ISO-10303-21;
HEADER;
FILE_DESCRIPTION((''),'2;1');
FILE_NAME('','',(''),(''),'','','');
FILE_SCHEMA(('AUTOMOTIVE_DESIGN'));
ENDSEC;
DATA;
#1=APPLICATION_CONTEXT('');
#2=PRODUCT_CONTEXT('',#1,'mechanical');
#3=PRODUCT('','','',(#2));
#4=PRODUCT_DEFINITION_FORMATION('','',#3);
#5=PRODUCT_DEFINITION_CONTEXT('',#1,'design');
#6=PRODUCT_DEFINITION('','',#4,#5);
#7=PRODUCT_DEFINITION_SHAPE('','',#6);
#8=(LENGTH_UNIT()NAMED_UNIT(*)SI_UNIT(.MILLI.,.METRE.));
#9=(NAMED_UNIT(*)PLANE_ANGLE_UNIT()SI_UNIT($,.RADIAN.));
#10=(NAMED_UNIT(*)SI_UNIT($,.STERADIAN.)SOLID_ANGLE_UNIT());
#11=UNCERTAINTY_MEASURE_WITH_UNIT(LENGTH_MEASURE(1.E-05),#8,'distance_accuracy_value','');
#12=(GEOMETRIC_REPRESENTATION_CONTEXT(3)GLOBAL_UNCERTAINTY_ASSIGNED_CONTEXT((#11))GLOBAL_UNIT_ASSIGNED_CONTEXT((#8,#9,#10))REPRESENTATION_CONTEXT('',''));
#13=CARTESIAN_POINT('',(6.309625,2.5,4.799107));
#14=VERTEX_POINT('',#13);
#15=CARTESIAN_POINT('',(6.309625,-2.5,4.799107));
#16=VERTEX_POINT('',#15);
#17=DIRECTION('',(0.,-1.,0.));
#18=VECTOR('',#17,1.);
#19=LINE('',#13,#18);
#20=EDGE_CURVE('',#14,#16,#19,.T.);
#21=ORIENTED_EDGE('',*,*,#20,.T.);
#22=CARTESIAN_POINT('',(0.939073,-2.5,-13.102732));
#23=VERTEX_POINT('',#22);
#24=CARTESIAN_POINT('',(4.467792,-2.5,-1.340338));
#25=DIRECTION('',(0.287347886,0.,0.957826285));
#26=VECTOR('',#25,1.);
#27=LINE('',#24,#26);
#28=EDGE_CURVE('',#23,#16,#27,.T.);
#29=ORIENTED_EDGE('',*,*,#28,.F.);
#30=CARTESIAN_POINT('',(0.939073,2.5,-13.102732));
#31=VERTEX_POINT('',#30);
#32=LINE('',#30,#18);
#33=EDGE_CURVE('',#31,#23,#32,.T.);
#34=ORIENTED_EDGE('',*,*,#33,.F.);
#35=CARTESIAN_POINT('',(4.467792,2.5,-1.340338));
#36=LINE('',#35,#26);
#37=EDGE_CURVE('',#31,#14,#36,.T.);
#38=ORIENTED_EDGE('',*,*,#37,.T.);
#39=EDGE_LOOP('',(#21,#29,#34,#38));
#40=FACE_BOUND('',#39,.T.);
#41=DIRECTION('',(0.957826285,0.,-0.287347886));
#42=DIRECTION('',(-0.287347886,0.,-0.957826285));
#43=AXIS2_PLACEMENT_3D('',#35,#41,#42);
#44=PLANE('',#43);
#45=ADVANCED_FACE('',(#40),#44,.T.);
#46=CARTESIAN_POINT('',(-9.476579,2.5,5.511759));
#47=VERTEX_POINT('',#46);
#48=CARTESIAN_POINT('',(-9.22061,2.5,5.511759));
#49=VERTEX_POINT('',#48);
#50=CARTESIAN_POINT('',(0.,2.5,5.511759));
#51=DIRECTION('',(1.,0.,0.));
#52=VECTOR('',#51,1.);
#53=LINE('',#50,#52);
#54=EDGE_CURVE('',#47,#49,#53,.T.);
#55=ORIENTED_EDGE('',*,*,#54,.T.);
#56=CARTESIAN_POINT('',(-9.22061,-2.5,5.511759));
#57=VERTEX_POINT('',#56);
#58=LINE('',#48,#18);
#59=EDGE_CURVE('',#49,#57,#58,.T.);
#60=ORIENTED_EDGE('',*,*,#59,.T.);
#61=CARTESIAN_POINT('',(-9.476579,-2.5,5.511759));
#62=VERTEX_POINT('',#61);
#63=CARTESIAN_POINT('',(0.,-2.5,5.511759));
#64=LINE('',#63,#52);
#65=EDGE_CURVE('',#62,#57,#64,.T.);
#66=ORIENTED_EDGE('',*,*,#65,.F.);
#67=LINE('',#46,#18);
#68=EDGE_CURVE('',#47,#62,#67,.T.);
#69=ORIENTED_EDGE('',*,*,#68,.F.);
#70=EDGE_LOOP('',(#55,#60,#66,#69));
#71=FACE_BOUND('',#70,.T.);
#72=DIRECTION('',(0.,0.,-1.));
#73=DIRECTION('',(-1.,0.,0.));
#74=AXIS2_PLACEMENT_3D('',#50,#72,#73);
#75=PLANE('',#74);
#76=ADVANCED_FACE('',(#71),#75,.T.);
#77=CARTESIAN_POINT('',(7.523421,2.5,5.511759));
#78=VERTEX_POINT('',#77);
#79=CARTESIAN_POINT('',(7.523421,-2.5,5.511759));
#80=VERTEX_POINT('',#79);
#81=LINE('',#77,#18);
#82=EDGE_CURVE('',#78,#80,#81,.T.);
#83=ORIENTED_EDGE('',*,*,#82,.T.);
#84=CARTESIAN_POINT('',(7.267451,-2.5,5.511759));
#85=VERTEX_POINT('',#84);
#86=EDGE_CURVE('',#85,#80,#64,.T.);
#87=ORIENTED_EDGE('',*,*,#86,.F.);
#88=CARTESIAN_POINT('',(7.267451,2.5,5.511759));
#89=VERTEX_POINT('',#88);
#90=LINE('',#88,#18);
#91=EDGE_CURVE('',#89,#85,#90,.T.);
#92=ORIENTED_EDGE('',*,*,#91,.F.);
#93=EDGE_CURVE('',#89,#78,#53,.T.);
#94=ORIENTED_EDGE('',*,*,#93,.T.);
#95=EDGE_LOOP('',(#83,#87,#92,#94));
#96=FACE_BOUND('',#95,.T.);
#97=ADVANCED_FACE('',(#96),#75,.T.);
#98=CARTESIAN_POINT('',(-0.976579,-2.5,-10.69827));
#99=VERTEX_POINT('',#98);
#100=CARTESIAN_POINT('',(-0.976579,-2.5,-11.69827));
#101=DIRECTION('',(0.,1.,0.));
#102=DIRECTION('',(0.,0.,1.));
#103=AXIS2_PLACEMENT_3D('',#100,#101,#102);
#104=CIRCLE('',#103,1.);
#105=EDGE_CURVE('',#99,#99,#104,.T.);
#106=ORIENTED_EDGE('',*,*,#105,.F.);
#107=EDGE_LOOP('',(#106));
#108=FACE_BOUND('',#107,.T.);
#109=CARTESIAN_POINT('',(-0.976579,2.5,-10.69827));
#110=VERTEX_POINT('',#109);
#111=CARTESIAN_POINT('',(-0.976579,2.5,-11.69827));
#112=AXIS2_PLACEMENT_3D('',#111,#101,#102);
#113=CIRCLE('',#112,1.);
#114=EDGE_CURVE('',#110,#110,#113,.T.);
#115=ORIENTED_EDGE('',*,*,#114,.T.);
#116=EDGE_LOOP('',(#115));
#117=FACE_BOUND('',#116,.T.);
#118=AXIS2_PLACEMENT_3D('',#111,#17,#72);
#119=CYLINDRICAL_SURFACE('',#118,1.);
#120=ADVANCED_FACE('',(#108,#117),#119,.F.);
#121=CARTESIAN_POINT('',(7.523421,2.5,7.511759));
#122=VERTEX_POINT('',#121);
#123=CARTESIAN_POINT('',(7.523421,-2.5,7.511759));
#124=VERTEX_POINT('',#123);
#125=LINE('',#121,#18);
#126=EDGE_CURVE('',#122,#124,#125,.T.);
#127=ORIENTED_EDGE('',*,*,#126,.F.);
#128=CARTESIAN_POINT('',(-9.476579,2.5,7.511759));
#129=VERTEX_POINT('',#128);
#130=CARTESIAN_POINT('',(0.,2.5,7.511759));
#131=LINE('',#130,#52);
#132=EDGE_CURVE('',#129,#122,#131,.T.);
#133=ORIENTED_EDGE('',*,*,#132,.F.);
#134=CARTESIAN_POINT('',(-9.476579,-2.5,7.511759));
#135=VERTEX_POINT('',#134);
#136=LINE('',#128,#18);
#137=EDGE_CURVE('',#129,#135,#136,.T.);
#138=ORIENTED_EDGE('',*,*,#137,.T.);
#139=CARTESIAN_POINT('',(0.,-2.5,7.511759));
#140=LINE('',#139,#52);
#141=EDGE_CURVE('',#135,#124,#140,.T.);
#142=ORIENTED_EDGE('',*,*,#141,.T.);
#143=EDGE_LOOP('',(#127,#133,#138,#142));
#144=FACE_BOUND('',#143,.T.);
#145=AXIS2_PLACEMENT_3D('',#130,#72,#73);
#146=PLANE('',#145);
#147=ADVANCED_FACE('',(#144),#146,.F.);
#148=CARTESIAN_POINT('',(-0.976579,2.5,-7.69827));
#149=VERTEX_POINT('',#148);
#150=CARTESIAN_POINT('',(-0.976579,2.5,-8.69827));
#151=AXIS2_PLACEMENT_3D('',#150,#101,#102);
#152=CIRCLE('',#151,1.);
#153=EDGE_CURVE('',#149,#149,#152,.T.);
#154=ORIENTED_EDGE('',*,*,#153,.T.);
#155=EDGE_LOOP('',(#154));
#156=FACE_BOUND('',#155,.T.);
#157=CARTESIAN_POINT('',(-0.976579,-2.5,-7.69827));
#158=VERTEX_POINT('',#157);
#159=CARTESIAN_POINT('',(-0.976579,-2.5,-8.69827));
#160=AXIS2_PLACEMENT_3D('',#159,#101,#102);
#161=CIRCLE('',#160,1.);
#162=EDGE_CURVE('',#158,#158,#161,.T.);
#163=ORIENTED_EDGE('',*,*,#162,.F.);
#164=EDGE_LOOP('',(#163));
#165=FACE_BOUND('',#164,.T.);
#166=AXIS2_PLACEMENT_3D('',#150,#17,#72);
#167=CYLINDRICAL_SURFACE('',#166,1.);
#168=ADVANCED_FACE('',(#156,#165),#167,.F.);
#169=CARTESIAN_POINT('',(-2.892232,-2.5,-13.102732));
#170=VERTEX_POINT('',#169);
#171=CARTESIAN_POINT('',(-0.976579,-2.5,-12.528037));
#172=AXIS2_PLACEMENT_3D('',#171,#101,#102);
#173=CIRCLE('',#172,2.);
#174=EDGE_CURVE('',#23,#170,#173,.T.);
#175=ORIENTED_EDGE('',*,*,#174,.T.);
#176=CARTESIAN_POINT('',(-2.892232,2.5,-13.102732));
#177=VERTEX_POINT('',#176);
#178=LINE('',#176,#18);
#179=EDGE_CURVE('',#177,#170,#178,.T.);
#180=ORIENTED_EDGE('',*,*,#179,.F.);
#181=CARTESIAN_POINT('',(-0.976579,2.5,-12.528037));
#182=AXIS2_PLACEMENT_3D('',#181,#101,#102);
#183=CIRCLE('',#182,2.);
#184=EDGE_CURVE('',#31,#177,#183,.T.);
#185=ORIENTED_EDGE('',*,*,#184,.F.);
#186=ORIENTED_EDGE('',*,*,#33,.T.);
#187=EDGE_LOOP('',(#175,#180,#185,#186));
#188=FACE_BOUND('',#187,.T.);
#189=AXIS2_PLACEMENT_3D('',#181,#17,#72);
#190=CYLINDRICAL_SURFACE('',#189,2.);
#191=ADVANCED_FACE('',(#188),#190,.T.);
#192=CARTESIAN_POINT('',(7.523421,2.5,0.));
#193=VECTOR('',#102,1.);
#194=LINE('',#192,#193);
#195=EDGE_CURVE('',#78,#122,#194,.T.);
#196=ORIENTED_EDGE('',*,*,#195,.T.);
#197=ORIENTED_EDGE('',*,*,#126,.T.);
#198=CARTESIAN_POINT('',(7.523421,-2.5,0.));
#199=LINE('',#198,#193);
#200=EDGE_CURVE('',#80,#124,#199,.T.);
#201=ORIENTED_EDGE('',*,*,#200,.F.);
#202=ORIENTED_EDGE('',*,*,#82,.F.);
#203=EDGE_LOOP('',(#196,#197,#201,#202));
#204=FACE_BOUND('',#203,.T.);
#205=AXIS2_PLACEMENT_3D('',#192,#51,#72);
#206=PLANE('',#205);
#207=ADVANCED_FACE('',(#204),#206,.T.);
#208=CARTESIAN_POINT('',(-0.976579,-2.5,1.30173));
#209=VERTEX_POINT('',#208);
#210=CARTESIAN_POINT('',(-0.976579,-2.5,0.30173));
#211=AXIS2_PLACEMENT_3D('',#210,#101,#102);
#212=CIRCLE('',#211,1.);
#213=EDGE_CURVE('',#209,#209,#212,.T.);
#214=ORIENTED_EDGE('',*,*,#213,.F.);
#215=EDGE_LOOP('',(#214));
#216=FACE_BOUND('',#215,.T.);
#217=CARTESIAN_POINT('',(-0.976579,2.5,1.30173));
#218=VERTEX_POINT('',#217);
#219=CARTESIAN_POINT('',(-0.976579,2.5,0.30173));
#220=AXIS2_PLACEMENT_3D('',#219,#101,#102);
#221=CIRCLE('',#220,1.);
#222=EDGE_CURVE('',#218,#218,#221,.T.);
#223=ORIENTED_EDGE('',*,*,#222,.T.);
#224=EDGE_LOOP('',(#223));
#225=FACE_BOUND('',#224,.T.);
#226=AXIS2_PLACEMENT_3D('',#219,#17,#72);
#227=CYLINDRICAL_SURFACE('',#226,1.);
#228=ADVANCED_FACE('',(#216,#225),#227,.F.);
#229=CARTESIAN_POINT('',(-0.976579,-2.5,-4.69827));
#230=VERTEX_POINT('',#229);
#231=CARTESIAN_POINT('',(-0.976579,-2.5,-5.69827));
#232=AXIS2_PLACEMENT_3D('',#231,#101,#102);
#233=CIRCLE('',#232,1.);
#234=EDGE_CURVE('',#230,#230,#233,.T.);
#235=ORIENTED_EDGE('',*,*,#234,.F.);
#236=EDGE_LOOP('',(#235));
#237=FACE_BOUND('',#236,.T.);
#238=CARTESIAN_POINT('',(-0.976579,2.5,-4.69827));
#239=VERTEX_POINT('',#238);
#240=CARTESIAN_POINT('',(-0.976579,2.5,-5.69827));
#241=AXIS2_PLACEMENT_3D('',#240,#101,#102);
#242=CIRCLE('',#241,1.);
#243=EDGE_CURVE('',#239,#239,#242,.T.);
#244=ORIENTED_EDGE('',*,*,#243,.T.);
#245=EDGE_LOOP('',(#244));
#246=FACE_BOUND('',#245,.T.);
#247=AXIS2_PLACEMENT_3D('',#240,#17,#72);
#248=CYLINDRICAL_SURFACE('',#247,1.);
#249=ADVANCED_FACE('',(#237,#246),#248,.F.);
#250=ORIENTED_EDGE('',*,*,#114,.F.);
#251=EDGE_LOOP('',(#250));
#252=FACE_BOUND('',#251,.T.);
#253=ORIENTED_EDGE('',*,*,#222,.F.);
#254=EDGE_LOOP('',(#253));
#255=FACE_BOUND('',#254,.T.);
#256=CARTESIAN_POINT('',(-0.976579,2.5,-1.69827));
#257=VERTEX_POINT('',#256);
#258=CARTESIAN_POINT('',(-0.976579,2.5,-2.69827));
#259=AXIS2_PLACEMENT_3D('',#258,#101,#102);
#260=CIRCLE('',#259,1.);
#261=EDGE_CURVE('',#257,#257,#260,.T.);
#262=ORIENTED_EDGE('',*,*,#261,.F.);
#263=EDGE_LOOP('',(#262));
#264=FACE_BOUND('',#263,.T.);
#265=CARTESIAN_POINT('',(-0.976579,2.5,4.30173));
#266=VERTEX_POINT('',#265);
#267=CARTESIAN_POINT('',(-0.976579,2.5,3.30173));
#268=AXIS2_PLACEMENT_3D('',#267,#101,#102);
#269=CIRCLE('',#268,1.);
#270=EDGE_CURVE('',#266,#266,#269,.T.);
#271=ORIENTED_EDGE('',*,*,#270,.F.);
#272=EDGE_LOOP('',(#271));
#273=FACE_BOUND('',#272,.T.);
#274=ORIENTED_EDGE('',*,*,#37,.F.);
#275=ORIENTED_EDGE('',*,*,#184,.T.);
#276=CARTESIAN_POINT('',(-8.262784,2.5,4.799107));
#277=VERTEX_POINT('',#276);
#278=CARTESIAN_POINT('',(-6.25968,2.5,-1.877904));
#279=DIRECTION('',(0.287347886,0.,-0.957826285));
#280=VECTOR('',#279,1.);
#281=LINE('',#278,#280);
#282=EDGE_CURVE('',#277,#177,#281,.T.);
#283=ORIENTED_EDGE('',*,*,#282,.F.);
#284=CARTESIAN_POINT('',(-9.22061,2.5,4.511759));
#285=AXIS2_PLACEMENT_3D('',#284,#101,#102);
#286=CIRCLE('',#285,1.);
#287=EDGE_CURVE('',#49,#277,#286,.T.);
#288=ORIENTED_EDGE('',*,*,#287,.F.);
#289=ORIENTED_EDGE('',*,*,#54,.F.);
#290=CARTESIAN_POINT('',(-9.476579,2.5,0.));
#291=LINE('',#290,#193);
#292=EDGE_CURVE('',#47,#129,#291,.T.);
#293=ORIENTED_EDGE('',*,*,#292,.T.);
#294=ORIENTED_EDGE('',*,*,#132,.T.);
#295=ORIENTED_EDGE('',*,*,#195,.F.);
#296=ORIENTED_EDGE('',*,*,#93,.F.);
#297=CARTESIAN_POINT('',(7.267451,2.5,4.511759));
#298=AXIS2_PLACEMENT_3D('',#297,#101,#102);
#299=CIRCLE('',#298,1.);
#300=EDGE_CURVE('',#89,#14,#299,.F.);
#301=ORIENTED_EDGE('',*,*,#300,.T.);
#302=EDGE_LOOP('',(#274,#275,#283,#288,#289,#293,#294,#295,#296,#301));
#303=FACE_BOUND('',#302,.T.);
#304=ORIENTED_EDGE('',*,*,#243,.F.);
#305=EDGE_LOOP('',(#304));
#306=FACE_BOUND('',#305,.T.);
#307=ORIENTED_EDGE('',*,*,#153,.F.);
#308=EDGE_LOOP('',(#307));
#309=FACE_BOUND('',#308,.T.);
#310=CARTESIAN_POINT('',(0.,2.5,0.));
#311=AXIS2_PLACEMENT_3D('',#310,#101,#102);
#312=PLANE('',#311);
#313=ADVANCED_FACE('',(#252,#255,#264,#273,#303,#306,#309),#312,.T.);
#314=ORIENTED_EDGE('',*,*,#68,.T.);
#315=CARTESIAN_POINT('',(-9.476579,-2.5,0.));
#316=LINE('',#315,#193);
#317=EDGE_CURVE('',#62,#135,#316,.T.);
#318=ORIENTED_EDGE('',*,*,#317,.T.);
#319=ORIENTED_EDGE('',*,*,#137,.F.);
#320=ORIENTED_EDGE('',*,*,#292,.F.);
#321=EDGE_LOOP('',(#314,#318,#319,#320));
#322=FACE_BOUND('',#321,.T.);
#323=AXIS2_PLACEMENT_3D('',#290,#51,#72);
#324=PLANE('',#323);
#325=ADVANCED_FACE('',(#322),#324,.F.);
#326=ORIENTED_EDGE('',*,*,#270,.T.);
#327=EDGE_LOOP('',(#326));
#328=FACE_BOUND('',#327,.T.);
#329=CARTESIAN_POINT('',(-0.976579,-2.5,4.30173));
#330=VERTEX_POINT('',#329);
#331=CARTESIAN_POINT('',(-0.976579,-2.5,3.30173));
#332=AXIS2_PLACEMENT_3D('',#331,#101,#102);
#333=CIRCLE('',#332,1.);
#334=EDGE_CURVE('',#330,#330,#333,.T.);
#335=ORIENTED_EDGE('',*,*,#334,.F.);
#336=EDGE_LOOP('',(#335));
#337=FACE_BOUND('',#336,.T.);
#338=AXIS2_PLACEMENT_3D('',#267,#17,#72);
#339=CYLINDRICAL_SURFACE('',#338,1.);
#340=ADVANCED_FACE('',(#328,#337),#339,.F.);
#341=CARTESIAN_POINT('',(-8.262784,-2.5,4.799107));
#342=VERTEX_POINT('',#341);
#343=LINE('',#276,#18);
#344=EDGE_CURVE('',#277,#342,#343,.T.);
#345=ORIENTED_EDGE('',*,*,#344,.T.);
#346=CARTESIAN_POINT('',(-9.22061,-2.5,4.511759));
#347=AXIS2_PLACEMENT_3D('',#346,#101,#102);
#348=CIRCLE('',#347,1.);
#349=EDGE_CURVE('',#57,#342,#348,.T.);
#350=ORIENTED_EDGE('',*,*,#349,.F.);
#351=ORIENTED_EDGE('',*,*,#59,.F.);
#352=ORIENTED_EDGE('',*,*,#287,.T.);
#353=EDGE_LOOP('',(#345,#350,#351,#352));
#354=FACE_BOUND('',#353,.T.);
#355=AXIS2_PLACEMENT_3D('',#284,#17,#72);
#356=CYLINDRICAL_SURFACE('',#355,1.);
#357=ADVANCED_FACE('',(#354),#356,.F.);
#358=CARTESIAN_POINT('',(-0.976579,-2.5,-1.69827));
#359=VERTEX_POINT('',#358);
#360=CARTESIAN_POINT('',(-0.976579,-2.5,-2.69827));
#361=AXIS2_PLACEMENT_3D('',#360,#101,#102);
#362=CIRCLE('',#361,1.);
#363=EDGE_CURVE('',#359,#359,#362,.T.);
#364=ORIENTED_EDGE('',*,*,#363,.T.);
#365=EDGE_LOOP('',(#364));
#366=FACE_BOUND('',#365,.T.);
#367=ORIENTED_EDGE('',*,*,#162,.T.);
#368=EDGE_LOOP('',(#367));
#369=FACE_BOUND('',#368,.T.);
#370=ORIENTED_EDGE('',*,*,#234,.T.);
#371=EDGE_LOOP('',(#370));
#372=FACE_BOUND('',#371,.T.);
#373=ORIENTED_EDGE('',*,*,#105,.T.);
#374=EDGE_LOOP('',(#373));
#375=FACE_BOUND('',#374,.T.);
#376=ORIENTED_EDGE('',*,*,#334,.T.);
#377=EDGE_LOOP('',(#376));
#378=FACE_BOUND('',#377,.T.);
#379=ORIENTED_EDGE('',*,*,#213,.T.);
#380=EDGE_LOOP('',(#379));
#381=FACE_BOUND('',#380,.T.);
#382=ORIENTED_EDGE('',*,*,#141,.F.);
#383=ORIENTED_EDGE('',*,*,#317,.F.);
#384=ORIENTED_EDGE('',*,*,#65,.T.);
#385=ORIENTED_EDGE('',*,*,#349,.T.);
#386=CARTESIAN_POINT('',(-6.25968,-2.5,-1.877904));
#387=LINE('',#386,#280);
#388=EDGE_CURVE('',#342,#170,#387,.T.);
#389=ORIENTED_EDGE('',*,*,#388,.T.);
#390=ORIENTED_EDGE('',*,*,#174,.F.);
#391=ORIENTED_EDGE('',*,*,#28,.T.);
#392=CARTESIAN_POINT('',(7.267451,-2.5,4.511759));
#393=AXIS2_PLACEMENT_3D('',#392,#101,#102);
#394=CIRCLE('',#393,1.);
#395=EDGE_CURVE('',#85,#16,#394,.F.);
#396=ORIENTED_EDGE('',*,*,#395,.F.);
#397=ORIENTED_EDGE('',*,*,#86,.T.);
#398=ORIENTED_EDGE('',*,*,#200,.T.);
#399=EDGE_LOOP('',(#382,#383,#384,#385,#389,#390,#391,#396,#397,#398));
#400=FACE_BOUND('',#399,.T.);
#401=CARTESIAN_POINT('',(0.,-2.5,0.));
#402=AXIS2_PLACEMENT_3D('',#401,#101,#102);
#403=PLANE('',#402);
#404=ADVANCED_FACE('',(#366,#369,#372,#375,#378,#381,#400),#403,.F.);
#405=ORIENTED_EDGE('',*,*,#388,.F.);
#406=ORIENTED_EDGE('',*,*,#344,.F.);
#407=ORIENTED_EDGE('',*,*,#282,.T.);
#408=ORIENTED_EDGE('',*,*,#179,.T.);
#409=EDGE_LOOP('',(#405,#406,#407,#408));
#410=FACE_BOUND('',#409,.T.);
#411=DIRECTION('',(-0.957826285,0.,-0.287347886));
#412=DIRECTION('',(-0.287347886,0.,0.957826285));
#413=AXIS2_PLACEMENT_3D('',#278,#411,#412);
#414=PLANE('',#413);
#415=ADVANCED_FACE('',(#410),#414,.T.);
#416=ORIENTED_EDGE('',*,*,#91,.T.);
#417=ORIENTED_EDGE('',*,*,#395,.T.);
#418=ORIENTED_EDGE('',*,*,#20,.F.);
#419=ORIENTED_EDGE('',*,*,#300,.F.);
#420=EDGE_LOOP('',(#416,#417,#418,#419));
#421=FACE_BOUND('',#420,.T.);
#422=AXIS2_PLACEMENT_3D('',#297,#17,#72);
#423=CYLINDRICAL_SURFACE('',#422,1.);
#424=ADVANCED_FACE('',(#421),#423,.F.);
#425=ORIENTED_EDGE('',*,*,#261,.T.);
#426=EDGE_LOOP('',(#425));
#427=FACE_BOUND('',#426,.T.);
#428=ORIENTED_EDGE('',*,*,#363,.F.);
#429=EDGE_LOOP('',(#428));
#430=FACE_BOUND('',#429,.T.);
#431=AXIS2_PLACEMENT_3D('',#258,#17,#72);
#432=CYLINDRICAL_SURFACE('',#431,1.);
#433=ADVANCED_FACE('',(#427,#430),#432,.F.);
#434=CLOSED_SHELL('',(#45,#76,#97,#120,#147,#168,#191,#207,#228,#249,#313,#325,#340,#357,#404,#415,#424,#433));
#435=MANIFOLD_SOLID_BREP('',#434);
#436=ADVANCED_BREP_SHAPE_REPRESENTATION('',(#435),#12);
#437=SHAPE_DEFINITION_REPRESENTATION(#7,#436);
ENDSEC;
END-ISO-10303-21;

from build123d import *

# Parameters (mm, degrees)
SKETCH1_R           = 1
BOSS_EXTRUDE1_DEPTH = 2.5


with BuildPart() as part:
    # Sketch1 → Boss-Extrude1 (new body, symmetric)
    with BuildSketch(Plane(origin=(0, 0, 0), x_dir=(1, 0, 0), z_dir=(0, 1, 0))):
        with BuildLine():
            Line((-2.892231872, 13.10273237), (-8.262783668, -4.799106947))
            ThreePointArc((-8.262783668, -4.799106947), (-8.623679423, -5.31405199), (-9.220609953, -5.511759062))
            Line((-9.220609953, -5.511759062), (-9.476579302, -5.511759062))
            Line((-9.476579302, -5.511759062), (-9.476579302, -7.511759062))
            Line((-9.476579302, -7.511759062), (7.523420698, -7.511759062))
            Line((7.523420698, -7.511759062), (7.523420698, -5.511759062))
            Line((7.523420698, -5.511759062), (7.267451349, -5.511759062))
            ThreePointArc((7.267451349, -5.511759062), (6.670520819, -5.31405199), (6.309625064, -4.799106947))
            Line((6.309625064, -4.799106947), (0.939073269, 13.10273237))
            ThreePointArc((0.939073269, 13.10273237), (-0.976579302, 14.528036599), (-2.892231872, 13.10273237))
        make_face()
        with Locations((-0.976579302, -3.301730431)):
            Circle(SKETCH1_R, mode=Mode.SUBTRACT)
        with Locations((-0.976579302, -0.301730431)):
            Circle(SKETCH1_R, mode=Mode.SUBTRACT)
        with Locations((-0.976579302, 2.698269569)):
            Circle(SKETCH1_R, mode=Mode.SUBTRACT)
        with Locations((-0.976579302, 8.698269569)):
            Circle(SKETCH1_R, mode=Mode.SUBTRACT)
        with Locations((-0.976579302, 11.698269569)):
            Circle(SKETCH1_R, mode=Mode.SUBTRACT)
        with Locations((-0.976579302, 5.698269569)):
            Circle(SKETCH1_R, mode=Mode.SUBTRACT)
    extrude(amount=BOSS_EXTRUDE1_DEPTH, both=True)


solid = part.part
